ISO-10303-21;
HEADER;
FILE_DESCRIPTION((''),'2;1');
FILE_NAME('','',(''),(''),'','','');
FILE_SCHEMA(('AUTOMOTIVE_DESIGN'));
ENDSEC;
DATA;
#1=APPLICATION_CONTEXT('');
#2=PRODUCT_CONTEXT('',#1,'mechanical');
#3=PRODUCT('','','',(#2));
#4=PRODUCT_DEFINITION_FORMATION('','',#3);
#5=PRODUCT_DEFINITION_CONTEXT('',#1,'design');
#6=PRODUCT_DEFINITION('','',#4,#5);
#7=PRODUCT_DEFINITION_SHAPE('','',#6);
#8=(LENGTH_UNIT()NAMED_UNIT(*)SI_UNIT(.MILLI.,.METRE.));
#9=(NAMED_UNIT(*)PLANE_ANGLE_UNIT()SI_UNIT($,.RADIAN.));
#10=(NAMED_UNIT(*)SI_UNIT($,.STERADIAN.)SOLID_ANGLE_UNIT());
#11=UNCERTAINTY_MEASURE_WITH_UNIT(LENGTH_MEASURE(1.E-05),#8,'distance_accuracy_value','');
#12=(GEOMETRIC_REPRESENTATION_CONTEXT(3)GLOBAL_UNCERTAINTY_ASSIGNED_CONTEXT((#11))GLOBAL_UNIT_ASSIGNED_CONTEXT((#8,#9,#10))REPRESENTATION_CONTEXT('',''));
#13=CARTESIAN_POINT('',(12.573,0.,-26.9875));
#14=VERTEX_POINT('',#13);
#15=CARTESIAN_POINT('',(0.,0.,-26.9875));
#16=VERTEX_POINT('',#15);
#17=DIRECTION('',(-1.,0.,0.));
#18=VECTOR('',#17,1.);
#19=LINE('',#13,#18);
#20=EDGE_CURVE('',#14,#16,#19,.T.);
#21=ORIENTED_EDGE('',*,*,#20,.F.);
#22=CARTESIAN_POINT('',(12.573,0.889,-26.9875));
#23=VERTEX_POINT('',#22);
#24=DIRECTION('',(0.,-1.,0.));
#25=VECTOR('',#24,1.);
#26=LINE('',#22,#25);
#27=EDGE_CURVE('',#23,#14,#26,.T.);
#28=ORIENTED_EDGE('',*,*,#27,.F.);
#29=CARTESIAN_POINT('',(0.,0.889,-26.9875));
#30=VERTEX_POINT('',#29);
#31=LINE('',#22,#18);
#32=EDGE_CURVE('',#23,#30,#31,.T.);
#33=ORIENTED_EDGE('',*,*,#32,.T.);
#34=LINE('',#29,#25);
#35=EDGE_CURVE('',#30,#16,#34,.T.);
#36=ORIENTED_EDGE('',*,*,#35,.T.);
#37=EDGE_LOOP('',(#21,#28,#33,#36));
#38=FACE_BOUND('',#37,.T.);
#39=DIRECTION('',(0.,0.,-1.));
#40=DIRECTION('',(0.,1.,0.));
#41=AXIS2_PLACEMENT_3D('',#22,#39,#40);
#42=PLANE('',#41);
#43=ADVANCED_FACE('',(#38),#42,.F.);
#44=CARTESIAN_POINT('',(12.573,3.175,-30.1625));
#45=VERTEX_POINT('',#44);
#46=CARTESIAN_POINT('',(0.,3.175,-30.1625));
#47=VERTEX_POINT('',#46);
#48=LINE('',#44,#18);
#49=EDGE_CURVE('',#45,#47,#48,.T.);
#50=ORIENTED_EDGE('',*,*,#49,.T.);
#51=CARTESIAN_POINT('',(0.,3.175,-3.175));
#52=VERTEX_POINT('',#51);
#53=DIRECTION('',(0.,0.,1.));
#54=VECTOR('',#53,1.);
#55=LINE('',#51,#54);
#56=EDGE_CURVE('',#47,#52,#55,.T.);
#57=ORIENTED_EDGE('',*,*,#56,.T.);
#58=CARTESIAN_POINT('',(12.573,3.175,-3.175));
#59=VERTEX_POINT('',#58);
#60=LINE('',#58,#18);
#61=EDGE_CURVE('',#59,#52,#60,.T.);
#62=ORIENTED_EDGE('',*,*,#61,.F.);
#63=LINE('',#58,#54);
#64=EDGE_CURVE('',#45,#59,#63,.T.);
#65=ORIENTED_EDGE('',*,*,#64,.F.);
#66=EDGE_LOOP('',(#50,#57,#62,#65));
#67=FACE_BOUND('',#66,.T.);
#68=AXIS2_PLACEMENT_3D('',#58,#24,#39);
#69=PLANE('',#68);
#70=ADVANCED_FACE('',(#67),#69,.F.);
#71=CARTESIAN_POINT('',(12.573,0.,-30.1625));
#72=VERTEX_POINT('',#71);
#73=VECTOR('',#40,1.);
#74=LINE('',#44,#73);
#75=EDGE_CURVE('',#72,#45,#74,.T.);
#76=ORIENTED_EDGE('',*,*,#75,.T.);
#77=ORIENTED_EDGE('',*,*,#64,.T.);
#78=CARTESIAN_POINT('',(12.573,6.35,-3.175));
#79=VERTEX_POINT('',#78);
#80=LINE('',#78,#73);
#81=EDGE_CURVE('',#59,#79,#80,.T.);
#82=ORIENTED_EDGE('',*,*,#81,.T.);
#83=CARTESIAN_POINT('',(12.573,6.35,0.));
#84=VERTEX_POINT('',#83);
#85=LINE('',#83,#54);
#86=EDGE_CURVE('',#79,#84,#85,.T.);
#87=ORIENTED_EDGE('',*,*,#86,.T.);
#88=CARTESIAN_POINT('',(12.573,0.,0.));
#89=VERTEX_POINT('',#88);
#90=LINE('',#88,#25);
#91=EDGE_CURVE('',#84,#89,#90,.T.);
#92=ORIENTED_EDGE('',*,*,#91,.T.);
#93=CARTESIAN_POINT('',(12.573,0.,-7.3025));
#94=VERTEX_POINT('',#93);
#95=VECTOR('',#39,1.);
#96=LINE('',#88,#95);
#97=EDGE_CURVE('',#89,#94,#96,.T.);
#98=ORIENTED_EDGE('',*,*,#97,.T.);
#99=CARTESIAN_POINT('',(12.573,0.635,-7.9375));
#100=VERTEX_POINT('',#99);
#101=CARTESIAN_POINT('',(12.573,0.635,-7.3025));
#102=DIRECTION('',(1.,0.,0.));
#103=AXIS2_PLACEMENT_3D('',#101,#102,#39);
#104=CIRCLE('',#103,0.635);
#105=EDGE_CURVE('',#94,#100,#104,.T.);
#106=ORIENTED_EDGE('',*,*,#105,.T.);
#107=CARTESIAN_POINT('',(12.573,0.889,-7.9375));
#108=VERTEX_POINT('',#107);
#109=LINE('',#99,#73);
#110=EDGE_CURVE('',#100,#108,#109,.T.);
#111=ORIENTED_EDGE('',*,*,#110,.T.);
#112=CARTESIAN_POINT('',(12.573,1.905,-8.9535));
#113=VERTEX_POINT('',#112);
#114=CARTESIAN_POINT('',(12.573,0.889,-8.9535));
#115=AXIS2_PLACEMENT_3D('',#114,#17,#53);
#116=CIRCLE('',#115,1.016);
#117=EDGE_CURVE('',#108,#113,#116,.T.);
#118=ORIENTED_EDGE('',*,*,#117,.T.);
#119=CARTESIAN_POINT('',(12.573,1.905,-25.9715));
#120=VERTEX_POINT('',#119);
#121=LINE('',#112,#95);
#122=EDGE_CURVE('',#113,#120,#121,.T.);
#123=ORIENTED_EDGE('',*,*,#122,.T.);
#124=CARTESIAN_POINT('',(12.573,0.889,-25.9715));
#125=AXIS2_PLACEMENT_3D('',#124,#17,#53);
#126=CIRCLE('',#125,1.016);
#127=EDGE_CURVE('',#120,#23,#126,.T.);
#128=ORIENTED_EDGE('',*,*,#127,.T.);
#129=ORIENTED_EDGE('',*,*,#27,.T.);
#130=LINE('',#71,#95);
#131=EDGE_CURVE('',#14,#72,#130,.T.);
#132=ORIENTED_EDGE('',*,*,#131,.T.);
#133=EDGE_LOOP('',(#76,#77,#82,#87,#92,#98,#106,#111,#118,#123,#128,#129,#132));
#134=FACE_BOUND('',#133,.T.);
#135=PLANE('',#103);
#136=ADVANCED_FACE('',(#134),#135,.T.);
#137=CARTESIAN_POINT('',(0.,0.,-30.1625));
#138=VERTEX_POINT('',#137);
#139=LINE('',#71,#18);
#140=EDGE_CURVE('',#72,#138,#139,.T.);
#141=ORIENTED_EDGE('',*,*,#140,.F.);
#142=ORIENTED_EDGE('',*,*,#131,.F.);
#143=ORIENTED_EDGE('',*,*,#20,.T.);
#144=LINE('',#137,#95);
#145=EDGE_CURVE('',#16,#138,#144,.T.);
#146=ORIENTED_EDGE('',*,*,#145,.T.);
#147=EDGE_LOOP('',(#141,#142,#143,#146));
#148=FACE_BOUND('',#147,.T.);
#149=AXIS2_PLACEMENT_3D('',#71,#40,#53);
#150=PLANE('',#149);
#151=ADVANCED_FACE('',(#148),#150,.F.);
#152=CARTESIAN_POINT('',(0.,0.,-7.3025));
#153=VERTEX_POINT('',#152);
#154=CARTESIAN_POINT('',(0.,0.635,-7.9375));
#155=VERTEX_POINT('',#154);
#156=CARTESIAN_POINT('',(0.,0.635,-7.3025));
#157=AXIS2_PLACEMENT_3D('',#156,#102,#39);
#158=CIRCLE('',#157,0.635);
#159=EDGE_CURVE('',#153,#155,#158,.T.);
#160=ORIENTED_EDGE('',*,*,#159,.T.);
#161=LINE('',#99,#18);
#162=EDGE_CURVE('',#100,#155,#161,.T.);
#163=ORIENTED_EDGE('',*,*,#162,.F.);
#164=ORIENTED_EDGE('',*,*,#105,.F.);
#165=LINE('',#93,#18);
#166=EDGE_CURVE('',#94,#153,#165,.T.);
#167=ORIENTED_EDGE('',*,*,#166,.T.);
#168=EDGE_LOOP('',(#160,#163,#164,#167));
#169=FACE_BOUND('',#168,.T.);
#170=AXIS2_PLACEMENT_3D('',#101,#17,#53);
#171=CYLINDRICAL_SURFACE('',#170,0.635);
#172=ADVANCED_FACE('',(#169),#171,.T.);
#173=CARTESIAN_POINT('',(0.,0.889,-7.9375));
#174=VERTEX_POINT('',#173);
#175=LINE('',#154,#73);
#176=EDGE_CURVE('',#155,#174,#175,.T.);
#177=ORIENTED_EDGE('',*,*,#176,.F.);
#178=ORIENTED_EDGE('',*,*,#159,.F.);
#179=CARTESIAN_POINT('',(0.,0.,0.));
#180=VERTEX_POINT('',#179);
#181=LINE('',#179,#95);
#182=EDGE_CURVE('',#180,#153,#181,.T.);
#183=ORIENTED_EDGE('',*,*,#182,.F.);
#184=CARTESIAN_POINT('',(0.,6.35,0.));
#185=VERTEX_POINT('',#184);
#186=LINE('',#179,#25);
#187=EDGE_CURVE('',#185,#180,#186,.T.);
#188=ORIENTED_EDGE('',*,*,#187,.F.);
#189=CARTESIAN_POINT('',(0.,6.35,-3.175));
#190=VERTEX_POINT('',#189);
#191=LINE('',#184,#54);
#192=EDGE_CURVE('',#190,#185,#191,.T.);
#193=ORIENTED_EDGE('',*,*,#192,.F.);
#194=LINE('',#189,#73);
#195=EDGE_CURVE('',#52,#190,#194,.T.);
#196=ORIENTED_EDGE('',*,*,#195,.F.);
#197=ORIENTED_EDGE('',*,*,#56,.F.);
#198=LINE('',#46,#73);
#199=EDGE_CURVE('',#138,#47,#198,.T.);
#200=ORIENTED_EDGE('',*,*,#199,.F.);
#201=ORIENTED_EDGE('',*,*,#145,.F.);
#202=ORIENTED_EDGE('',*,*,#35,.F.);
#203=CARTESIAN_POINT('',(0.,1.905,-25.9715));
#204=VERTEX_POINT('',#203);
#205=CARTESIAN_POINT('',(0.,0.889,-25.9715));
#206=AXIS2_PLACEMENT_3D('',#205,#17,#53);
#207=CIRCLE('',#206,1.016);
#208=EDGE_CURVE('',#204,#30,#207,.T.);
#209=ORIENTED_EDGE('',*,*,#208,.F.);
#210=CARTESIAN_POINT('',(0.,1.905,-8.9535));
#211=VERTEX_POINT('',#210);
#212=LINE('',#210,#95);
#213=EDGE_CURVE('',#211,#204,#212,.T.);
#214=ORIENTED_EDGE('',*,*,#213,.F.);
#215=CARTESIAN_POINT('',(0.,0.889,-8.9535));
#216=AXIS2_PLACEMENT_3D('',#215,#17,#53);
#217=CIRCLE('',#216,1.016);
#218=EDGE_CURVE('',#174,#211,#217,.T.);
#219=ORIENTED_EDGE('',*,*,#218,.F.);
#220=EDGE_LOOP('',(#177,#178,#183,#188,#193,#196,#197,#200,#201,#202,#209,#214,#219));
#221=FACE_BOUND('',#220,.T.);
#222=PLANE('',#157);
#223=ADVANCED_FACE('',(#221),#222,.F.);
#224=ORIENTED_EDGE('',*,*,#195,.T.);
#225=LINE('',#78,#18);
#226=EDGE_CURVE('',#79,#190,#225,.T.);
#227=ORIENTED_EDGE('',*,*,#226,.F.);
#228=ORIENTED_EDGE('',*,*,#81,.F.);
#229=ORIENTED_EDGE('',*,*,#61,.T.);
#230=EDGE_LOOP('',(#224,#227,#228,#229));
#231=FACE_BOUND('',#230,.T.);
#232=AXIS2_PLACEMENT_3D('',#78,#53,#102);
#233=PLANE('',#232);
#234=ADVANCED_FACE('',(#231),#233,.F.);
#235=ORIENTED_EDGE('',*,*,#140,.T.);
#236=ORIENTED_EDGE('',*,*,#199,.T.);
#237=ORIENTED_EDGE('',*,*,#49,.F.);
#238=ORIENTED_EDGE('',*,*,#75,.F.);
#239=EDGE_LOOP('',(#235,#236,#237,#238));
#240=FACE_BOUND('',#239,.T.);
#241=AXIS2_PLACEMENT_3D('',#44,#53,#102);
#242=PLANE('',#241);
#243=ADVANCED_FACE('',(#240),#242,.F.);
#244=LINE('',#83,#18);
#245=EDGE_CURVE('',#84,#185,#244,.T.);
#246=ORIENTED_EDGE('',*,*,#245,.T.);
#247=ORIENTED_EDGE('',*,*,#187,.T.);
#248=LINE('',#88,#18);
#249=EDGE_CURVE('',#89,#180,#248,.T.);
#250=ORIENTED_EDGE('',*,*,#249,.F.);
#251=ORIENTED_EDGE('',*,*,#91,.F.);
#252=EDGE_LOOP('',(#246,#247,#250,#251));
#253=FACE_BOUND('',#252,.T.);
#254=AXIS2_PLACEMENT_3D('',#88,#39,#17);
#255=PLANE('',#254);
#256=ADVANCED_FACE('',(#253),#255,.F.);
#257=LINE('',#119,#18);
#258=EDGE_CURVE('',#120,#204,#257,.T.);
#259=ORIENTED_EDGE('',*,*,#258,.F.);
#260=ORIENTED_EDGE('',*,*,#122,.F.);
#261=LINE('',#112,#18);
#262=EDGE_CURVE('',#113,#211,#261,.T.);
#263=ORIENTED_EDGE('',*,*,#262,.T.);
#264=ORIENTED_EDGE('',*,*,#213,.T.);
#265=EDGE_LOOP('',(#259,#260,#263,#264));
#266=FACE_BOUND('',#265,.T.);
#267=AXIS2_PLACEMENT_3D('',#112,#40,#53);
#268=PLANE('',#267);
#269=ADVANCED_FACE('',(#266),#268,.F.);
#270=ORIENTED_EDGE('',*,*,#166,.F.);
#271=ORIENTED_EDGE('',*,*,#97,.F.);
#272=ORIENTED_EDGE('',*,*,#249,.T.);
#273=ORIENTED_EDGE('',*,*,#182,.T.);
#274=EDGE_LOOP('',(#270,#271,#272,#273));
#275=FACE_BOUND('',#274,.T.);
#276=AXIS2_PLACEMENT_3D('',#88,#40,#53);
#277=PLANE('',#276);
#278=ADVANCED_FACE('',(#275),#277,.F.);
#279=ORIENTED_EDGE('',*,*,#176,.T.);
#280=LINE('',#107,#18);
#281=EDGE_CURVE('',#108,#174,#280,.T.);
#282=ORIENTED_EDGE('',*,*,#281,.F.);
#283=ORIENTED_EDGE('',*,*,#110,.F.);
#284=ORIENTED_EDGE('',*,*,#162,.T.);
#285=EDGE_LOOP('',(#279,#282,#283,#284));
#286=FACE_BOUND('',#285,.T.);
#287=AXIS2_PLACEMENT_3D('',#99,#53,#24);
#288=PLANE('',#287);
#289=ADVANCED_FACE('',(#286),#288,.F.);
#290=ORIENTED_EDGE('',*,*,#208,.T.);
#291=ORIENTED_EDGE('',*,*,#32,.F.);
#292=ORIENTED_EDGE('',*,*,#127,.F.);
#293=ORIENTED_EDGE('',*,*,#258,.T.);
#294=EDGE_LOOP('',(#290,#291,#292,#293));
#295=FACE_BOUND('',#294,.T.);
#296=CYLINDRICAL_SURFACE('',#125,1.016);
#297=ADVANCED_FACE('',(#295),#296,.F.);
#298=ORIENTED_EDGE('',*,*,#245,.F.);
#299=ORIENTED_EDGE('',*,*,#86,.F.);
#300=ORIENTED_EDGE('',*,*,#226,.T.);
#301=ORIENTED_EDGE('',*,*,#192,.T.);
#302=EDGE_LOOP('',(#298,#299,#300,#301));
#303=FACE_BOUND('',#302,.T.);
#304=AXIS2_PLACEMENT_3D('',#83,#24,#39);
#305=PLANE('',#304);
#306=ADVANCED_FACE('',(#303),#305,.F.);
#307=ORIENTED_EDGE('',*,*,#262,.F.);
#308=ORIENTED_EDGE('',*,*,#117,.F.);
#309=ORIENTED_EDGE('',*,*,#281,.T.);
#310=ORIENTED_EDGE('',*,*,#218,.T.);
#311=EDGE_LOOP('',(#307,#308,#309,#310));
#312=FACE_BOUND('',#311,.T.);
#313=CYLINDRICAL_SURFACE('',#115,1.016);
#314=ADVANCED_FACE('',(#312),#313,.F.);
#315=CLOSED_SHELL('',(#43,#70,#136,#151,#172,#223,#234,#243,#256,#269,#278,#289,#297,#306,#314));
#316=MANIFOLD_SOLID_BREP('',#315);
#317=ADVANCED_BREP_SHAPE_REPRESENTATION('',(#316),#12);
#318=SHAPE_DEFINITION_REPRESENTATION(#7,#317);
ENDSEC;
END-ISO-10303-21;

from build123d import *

# Parameters (mm, degrees)
BOSS_EXTRUDE1_DEPTH = 12.573


with BuildPart() as part:
    # Sketch1 → Boss-Extrude1 (new body)
    with BuildSketch(Plane(origin=(0, 0, 0), x_dir=(0, 0, -1), z_dir=(1, 0, 0))):
        with BuildLine():
            Line((0, 0), (0, 6.35))
            Line((0, 6.35), (3.175, 6.35))
            Line((3.175, 6.35), (3.175, 3.175))
            Line((3.175, 3.175), (30.1625, 3.175))
            Line((30.1625, 3.175), (30.1625, 0))
            Line((30.1625, 0), (26.9875, 0))
            Line((26.9875, 0), (26.9875, 0.889))
            ThreePointArc((26.9875, 0.889), (26.68992049, 1.60742049), (25.9715, 1.905))
            Line((25.9715, 1.905), (8.9535, 1.905))
            ThreePointArc((8.9535, 1.905), (8.23507951, 1.60742049), (7.9375, 0.889))
            Line((7.9375, 0.889), (7.9375, 0.635))
            ThreePointArc((7.9375, 0.635), (7.751512806, 0.185987194), (7.3025, 0))
            Line((7.3025, 0), (0, 0))
        make_face()
    extrude(amount=BOSS_EXTRUDE1_DEPTH)


solid = part.part
